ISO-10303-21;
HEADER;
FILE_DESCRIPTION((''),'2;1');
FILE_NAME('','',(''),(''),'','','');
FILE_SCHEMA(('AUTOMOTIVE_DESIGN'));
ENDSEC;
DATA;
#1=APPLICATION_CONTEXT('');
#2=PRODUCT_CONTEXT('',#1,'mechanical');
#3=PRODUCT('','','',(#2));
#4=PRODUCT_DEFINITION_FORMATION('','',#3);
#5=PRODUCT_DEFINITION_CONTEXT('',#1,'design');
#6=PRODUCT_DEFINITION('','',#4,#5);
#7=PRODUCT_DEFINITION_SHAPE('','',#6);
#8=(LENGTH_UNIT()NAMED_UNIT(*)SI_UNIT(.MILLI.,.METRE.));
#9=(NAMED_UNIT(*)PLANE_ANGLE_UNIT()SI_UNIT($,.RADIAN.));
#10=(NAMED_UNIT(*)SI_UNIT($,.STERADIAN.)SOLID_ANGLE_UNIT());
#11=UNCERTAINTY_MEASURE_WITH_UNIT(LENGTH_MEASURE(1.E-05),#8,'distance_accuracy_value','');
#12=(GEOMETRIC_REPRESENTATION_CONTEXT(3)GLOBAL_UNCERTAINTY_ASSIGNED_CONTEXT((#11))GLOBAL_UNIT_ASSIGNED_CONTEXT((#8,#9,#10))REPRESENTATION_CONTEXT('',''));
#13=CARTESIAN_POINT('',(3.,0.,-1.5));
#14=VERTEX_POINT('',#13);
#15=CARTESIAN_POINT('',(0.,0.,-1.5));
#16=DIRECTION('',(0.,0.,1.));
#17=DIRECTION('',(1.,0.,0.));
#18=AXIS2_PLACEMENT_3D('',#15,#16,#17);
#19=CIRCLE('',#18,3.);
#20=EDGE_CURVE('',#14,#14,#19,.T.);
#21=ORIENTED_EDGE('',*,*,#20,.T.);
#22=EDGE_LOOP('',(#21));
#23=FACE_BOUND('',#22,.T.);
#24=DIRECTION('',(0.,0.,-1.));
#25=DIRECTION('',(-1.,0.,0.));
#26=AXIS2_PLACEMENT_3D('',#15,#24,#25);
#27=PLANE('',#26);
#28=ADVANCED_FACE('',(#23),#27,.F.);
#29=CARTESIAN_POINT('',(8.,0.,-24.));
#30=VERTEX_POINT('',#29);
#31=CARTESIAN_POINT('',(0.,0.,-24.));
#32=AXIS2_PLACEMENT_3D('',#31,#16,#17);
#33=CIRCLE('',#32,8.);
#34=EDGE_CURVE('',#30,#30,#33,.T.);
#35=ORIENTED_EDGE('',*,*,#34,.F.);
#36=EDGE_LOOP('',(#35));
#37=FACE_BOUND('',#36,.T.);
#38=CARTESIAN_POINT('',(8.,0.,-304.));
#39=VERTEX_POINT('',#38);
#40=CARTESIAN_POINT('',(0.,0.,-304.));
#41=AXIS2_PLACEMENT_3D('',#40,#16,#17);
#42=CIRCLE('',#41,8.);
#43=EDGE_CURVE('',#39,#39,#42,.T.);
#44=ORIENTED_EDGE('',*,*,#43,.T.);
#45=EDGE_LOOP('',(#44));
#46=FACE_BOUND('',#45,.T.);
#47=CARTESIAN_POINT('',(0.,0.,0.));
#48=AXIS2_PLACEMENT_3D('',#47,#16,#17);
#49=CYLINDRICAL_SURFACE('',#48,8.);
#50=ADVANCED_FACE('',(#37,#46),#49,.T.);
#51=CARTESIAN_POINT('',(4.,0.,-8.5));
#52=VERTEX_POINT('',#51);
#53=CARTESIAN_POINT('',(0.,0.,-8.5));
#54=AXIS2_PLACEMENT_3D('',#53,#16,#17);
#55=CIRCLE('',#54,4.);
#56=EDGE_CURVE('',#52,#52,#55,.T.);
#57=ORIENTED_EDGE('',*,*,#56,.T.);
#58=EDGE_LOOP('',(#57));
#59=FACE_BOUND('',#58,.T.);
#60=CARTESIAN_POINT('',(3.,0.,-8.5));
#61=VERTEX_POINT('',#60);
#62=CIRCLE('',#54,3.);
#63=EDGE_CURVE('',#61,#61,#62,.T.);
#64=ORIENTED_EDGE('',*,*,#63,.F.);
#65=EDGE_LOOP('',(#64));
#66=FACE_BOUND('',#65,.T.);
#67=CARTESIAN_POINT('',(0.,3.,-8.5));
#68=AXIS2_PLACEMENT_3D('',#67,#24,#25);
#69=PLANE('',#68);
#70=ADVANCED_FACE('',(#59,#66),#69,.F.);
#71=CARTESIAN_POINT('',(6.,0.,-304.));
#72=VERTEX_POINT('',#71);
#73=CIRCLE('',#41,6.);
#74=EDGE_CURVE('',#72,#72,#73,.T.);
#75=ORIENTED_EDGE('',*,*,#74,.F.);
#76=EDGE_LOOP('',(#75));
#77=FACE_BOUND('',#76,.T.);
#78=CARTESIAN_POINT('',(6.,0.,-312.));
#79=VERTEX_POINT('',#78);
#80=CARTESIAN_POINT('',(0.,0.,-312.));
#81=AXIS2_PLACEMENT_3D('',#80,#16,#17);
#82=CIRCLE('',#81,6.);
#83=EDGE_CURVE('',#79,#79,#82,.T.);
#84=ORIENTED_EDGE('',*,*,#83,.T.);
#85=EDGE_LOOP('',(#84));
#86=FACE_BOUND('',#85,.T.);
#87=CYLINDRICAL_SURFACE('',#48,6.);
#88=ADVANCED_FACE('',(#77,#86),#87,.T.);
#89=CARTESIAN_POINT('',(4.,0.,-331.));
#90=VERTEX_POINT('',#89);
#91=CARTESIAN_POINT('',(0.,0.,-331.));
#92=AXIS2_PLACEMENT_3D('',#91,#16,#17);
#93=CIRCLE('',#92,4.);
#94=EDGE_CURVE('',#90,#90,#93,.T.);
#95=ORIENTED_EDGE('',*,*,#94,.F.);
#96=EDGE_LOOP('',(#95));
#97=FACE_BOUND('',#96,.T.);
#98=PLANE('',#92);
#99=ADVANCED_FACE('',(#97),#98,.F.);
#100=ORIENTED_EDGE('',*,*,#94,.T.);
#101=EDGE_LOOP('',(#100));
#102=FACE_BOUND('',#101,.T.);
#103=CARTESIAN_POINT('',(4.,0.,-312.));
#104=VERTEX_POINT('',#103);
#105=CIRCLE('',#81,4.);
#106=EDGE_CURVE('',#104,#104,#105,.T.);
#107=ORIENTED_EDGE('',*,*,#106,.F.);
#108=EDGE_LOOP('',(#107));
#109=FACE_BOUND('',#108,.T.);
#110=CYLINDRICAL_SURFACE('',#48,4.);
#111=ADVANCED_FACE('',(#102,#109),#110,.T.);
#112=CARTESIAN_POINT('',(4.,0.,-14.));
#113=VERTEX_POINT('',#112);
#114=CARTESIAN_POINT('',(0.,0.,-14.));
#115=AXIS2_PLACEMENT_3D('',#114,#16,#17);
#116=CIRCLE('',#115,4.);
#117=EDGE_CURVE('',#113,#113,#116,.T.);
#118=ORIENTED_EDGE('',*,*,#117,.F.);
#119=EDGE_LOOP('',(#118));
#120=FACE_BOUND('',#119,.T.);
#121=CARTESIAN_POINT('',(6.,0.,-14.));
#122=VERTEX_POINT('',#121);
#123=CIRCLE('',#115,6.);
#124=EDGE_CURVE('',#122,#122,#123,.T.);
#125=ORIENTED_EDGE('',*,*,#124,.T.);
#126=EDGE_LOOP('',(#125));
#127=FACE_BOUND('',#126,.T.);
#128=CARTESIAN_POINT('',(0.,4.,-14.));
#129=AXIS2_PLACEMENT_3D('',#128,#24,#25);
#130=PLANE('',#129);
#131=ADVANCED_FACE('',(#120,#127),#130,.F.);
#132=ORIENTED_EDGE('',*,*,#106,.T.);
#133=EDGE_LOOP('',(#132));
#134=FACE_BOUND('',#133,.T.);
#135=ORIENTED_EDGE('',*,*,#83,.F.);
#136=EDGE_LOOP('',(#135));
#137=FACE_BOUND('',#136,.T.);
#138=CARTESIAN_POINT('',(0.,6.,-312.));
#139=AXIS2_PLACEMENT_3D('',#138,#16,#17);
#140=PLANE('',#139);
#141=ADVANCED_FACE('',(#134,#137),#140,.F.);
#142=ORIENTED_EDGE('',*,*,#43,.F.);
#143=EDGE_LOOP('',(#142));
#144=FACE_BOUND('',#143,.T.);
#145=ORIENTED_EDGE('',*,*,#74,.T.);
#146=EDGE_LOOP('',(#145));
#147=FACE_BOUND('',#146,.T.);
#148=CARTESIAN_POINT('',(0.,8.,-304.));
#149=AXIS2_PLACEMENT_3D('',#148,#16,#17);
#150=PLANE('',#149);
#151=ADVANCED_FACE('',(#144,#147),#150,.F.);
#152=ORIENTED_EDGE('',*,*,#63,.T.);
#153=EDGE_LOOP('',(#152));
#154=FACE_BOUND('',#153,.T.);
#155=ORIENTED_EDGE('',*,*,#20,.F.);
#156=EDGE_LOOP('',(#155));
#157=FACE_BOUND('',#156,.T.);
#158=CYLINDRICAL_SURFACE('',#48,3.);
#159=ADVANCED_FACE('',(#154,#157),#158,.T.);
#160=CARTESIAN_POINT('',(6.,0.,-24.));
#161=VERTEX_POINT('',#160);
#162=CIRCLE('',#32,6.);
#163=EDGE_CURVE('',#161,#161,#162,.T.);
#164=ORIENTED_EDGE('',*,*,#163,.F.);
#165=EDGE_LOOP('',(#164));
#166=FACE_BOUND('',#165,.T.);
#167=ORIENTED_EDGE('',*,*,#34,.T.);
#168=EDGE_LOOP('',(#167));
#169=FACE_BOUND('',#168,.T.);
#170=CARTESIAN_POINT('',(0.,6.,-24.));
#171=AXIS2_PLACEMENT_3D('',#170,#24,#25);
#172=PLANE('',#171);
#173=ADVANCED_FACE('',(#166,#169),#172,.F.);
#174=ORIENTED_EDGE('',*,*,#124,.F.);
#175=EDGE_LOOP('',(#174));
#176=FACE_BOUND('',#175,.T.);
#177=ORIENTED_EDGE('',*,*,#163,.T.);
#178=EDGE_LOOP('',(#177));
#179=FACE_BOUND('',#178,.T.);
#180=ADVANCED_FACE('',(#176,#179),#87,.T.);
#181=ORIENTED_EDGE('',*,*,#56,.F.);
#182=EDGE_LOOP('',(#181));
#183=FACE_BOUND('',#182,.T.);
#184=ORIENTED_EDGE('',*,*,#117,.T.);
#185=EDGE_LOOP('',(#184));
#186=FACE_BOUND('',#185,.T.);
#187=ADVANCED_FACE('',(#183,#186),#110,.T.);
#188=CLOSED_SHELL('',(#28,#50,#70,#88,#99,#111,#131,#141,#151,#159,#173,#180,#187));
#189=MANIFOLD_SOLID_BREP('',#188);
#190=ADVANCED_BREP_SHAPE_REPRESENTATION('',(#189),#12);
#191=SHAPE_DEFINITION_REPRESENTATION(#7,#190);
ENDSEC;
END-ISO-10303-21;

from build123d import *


with BuildPart() as part:
    # Schizzo2 → Rivoluzione2 (revolve)
    with BuildSketch(Plane(origin=(0, 0, 0), x_dir=(0, 0, -1), z_dir=(1, 0, 0)), mode=Mode.PRIVATE) as rivoluzione2_sk:
        Polygon((1.5, 0), (1.5, 3), (8.5, 3), (8.5, 4), (14, 4), (14, 6), (24, 6), (24, 8), (304, 8), (304, 6), (312, 6), (312, 4), (331, 4), (331, 0), align=None)
    revolve(rivoluzione2_sk.sketch.rotate(Axis((0, 0, 0), (0, 0, -1)), 90), axis=Axis((0, 0, 0), (0, 0, -1)))


solid = part.part
